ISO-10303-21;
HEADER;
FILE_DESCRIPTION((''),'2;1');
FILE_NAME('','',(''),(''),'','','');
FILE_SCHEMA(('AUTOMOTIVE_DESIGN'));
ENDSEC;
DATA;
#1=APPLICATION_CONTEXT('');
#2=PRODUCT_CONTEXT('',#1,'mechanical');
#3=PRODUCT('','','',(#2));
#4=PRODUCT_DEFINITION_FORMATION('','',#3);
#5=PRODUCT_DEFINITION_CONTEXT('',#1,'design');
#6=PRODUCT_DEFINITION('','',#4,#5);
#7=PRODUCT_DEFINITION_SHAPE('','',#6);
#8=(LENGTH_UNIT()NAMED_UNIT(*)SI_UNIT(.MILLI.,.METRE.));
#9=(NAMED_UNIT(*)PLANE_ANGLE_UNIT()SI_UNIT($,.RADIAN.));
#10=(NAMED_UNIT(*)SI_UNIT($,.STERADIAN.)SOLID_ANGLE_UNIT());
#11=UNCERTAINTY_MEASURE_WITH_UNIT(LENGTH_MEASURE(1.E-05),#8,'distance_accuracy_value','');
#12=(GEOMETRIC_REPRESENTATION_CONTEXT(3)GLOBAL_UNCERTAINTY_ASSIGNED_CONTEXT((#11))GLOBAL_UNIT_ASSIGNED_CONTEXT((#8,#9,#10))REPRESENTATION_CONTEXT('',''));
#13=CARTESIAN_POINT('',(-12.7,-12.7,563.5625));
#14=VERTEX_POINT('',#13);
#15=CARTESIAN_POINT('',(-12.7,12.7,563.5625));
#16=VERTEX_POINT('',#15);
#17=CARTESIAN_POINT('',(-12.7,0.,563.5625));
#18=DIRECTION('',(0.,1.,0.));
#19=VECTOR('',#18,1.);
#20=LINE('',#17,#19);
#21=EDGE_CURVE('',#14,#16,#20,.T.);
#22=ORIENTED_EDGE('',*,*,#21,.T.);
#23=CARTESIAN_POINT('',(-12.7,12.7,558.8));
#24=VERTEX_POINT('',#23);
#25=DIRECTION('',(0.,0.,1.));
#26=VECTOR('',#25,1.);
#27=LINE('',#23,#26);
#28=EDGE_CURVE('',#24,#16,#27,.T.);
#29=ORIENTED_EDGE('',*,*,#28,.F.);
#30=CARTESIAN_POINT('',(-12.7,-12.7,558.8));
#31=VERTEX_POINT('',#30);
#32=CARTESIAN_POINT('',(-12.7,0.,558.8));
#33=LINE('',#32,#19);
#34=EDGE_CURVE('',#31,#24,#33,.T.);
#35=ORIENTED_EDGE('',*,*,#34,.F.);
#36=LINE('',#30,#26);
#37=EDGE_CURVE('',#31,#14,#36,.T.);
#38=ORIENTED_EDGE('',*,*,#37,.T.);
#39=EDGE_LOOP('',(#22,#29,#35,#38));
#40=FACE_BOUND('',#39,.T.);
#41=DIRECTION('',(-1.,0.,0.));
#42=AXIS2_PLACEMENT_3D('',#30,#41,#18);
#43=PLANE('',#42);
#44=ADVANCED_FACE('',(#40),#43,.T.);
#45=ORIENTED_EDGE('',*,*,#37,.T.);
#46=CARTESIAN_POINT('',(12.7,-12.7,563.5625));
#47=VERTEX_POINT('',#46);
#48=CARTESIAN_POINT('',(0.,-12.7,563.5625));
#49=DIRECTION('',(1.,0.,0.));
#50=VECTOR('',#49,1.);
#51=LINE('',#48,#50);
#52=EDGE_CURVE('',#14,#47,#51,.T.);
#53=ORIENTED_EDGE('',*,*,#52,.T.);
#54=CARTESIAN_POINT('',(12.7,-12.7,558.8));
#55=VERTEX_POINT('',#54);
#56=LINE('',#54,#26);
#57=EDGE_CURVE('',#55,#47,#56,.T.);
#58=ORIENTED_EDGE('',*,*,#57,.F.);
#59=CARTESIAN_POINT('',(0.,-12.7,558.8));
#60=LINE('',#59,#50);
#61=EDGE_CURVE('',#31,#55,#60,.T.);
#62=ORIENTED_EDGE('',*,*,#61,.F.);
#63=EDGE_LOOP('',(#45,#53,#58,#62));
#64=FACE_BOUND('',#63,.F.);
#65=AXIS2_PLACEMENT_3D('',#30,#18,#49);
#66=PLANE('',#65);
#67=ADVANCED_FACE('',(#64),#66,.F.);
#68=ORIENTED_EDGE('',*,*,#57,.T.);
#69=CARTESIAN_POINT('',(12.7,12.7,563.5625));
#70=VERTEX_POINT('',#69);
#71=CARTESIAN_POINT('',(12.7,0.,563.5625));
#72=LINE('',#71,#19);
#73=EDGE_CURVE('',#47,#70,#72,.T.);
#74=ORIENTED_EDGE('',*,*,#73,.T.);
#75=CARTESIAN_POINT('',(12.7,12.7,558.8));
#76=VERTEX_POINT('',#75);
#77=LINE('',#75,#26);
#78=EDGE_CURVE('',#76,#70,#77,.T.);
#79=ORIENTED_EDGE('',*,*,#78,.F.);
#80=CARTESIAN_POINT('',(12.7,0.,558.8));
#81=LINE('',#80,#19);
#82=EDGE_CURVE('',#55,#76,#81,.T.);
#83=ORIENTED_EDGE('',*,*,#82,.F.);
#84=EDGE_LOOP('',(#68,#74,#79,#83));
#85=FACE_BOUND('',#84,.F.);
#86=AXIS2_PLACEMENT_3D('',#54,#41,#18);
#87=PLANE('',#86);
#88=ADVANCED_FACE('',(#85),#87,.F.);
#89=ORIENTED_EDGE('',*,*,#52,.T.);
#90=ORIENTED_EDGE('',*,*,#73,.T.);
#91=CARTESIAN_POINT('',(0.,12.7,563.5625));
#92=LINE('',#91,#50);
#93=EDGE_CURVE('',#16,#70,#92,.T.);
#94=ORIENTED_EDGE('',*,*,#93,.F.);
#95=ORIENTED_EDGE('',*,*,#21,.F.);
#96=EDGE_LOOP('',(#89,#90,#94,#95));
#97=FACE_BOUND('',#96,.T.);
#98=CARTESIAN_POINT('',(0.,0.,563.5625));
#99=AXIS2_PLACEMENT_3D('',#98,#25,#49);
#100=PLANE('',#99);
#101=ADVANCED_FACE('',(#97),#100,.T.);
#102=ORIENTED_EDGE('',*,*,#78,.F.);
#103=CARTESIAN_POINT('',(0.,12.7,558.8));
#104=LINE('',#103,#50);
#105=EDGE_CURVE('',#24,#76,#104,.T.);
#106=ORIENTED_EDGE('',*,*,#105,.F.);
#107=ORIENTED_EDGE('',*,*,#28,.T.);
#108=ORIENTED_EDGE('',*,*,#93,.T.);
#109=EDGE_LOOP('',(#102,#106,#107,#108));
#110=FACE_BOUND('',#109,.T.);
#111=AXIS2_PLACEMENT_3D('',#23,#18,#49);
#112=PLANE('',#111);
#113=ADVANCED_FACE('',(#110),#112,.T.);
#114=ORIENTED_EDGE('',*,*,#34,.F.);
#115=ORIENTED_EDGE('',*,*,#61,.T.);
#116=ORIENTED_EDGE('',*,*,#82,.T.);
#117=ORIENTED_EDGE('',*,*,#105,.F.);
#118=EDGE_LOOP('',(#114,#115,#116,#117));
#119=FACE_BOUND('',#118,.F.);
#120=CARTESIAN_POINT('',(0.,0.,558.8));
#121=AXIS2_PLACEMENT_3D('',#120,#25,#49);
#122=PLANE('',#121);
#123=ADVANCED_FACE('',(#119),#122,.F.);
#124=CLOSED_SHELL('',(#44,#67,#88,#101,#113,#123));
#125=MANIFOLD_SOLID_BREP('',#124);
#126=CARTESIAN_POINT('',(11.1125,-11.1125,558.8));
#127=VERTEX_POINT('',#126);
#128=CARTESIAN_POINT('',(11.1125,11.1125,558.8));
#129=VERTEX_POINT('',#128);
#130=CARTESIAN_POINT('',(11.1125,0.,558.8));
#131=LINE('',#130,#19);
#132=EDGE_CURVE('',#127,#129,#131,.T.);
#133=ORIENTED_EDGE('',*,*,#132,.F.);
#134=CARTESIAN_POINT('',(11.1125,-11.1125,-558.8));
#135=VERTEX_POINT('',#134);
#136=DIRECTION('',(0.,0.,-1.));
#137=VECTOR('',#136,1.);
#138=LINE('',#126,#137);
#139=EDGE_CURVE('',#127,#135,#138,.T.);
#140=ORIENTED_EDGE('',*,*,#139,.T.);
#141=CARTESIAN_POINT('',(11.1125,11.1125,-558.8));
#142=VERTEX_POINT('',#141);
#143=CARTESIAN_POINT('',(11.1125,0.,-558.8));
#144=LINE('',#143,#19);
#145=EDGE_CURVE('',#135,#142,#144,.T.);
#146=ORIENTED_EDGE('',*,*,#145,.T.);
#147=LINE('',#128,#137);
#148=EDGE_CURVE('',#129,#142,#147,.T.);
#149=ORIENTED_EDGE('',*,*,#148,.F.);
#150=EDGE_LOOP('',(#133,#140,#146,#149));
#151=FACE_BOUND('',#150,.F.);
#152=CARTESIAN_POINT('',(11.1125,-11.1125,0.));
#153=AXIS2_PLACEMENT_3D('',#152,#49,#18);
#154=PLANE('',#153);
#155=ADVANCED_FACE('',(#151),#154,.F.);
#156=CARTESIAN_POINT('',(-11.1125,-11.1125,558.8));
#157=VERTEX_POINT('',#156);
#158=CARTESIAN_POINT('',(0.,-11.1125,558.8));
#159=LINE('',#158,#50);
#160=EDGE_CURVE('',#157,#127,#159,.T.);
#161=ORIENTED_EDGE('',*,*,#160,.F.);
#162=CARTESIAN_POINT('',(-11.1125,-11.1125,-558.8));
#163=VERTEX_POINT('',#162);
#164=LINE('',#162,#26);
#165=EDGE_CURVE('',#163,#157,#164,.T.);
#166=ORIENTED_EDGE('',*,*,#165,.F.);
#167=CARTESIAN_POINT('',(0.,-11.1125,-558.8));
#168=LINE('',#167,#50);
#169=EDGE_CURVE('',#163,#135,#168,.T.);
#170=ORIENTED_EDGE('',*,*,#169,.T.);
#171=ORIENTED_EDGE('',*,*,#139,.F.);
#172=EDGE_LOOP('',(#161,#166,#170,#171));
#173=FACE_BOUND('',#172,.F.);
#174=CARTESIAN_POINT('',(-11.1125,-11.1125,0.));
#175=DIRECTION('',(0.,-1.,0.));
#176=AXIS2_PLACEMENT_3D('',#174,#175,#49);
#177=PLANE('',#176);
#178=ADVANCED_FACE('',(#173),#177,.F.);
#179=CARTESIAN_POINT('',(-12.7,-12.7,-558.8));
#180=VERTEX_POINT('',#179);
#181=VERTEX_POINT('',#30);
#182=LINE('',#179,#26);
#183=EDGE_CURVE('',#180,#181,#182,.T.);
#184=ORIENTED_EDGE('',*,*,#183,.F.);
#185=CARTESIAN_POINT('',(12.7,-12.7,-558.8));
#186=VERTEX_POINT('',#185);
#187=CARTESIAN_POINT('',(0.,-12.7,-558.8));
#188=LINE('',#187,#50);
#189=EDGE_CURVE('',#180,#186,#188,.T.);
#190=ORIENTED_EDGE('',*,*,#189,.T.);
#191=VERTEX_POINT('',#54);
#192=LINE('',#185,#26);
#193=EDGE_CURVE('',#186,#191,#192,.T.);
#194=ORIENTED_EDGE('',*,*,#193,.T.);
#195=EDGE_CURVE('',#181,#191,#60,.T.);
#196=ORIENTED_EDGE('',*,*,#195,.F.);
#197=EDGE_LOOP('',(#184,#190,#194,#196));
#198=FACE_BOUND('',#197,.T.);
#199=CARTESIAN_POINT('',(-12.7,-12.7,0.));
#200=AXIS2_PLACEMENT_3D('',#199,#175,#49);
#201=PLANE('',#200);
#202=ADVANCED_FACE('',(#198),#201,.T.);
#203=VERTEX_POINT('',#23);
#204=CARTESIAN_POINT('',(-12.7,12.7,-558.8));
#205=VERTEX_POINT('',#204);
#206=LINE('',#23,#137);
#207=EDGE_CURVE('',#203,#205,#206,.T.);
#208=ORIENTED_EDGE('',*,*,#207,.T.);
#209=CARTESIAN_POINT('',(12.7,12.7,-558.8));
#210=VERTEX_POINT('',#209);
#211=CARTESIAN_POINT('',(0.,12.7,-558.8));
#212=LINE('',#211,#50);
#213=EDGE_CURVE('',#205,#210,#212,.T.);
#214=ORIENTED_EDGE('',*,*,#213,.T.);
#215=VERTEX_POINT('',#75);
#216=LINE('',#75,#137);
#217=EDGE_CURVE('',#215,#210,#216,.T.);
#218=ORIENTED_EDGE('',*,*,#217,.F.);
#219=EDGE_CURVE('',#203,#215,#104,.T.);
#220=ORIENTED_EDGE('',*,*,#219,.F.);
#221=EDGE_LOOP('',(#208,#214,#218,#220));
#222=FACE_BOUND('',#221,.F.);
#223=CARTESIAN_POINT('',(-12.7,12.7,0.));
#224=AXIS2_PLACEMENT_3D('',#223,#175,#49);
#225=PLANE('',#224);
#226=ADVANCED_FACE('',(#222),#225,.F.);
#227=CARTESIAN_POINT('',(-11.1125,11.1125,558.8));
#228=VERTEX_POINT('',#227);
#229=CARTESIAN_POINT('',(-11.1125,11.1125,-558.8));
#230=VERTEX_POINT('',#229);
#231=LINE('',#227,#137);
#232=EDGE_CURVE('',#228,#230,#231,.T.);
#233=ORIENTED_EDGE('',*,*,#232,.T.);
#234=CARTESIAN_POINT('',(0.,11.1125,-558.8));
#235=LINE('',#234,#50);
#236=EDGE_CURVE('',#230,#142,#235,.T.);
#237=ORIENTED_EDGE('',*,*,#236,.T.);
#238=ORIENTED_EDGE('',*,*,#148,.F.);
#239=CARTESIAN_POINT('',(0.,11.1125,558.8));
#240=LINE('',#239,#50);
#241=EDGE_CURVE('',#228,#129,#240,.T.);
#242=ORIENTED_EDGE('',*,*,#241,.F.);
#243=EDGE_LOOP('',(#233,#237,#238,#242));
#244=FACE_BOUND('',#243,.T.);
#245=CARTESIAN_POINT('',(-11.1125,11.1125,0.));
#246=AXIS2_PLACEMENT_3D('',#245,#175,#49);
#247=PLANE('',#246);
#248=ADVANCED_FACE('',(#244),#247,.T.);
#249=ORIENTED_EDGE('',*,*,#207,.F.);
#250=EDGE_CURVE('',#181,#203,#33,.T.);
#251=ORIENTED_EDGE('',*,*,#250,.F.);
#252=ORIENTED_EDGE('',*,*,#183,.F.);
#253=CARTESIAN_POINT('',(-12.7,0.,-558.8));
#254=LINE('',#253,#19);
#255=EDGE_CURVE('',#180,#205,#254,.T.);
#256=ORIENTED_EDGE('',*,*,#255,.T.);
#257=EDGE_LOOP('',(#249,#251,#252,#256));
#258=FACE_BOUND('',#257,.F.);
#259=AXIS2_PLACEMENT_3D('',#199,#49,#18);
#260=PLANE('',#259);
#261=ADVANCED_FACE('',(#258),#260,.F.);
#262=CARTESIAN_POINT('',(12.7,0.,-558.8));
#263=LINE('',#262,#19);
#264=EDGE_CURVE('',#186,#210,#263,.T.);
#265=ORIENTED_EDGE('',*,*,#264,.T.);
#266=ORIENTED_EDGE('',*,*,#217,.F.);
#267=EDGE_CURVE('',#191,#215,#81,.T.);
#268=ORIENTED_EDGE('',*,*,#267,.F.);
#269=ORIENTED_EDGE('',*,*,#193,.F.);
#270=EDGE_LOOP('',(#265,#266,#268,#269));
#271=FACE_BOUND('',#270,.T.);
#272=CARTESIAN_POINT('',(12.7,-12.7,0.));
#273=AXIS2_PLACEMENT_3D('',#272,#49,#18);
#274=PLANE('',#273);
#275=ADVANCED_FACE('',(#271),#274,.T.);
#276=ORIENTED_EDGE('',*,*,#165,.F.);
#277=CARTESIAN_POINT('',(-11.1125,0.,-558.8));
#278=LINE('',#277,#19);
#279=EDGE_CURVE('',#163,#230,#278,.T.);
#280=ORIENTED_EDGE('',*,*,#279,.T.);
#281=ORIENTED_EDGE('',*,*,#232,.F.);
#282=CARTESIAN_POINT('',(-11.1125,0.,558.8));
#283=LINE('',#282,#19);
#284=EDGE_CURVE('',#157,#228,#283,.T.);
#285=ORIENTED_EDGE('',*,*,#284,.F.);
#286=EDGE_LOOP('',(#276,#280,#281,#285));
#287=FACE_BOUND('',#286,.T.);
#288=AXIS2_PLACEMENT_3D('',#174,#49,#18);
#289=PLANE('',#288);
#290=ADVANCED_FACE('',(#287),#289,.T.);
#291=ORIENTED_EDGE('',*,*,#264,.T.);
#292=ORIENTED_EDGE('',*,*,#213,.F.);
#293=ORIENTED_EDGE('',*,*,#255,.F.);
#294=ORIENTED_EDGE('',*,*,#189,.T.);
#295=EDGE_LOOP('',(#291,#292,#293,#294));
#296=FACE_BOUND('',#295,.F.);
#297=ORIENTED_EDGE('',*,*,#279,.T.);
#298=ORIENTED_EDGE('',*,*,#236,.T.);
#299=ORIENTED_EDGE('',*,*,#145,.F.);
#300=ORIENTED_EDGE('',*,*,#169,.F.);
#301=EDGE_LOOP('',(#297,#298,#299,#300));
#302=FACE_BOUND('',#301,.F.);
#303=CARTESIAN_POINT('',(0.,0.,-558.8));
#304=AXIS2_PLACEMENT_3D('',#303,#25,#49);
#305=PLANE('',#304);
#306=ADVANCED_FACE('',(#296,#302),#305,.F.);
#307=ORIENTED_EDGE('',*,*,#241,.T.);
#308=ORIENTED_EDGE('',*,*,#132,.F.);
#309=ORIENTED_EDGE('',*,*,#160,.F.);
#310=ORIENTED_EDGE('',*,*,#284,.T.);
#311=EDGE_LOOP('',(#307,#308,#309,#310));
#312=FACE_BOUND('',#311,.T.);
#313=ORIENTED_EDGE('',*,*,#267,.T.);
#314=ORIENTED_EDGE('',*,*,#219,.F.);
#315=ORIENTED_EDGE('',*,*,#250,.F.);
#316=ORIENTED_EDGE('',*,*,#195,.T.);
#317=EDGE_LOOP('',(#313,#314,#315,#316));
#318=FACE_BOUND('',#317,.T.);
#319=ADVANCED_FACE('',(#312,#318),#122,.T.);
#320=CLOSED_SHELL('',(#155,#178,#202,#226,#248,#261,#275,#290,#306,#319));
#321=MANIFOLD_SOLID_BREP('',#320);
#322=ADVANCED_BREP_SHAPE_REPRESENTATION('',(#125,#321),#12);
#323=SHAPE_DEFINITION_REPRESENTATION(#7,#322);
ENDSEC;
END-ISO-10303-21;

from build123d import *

# Parameters (mm, degrees)
F0_W     = 25.4
F0_H     = 25.4
F0_W_2   = 22.225
F0_H_2   = 22.225
F1_DEPTH = 558.8
F2_W     = 25.4
F2_H     = 25.4
F3_DEPTH = 4.7625


with BuildPart() as f1:
    # F0 (on Top) → F1 (new body, symmetric)
    with BuildSketch(Plane.XY):
        Rectangle(F0_W, F0_H)
        Rectangle(F0_W_2, F0_H_2, mode=Mode.SUBTRACT)
    extrude(amount=F1_DEPTH, both=True)


with BuildPart() as f3:
    # F2 (on face) → F3 (new body)
    with BuildSketch(Plane.XY.offset(558.8)):
        Rectangle(F2_W, F2_H)
    extrude(amount=F3_DEPTH)


solid = Compound([f1.part, f3.part])
